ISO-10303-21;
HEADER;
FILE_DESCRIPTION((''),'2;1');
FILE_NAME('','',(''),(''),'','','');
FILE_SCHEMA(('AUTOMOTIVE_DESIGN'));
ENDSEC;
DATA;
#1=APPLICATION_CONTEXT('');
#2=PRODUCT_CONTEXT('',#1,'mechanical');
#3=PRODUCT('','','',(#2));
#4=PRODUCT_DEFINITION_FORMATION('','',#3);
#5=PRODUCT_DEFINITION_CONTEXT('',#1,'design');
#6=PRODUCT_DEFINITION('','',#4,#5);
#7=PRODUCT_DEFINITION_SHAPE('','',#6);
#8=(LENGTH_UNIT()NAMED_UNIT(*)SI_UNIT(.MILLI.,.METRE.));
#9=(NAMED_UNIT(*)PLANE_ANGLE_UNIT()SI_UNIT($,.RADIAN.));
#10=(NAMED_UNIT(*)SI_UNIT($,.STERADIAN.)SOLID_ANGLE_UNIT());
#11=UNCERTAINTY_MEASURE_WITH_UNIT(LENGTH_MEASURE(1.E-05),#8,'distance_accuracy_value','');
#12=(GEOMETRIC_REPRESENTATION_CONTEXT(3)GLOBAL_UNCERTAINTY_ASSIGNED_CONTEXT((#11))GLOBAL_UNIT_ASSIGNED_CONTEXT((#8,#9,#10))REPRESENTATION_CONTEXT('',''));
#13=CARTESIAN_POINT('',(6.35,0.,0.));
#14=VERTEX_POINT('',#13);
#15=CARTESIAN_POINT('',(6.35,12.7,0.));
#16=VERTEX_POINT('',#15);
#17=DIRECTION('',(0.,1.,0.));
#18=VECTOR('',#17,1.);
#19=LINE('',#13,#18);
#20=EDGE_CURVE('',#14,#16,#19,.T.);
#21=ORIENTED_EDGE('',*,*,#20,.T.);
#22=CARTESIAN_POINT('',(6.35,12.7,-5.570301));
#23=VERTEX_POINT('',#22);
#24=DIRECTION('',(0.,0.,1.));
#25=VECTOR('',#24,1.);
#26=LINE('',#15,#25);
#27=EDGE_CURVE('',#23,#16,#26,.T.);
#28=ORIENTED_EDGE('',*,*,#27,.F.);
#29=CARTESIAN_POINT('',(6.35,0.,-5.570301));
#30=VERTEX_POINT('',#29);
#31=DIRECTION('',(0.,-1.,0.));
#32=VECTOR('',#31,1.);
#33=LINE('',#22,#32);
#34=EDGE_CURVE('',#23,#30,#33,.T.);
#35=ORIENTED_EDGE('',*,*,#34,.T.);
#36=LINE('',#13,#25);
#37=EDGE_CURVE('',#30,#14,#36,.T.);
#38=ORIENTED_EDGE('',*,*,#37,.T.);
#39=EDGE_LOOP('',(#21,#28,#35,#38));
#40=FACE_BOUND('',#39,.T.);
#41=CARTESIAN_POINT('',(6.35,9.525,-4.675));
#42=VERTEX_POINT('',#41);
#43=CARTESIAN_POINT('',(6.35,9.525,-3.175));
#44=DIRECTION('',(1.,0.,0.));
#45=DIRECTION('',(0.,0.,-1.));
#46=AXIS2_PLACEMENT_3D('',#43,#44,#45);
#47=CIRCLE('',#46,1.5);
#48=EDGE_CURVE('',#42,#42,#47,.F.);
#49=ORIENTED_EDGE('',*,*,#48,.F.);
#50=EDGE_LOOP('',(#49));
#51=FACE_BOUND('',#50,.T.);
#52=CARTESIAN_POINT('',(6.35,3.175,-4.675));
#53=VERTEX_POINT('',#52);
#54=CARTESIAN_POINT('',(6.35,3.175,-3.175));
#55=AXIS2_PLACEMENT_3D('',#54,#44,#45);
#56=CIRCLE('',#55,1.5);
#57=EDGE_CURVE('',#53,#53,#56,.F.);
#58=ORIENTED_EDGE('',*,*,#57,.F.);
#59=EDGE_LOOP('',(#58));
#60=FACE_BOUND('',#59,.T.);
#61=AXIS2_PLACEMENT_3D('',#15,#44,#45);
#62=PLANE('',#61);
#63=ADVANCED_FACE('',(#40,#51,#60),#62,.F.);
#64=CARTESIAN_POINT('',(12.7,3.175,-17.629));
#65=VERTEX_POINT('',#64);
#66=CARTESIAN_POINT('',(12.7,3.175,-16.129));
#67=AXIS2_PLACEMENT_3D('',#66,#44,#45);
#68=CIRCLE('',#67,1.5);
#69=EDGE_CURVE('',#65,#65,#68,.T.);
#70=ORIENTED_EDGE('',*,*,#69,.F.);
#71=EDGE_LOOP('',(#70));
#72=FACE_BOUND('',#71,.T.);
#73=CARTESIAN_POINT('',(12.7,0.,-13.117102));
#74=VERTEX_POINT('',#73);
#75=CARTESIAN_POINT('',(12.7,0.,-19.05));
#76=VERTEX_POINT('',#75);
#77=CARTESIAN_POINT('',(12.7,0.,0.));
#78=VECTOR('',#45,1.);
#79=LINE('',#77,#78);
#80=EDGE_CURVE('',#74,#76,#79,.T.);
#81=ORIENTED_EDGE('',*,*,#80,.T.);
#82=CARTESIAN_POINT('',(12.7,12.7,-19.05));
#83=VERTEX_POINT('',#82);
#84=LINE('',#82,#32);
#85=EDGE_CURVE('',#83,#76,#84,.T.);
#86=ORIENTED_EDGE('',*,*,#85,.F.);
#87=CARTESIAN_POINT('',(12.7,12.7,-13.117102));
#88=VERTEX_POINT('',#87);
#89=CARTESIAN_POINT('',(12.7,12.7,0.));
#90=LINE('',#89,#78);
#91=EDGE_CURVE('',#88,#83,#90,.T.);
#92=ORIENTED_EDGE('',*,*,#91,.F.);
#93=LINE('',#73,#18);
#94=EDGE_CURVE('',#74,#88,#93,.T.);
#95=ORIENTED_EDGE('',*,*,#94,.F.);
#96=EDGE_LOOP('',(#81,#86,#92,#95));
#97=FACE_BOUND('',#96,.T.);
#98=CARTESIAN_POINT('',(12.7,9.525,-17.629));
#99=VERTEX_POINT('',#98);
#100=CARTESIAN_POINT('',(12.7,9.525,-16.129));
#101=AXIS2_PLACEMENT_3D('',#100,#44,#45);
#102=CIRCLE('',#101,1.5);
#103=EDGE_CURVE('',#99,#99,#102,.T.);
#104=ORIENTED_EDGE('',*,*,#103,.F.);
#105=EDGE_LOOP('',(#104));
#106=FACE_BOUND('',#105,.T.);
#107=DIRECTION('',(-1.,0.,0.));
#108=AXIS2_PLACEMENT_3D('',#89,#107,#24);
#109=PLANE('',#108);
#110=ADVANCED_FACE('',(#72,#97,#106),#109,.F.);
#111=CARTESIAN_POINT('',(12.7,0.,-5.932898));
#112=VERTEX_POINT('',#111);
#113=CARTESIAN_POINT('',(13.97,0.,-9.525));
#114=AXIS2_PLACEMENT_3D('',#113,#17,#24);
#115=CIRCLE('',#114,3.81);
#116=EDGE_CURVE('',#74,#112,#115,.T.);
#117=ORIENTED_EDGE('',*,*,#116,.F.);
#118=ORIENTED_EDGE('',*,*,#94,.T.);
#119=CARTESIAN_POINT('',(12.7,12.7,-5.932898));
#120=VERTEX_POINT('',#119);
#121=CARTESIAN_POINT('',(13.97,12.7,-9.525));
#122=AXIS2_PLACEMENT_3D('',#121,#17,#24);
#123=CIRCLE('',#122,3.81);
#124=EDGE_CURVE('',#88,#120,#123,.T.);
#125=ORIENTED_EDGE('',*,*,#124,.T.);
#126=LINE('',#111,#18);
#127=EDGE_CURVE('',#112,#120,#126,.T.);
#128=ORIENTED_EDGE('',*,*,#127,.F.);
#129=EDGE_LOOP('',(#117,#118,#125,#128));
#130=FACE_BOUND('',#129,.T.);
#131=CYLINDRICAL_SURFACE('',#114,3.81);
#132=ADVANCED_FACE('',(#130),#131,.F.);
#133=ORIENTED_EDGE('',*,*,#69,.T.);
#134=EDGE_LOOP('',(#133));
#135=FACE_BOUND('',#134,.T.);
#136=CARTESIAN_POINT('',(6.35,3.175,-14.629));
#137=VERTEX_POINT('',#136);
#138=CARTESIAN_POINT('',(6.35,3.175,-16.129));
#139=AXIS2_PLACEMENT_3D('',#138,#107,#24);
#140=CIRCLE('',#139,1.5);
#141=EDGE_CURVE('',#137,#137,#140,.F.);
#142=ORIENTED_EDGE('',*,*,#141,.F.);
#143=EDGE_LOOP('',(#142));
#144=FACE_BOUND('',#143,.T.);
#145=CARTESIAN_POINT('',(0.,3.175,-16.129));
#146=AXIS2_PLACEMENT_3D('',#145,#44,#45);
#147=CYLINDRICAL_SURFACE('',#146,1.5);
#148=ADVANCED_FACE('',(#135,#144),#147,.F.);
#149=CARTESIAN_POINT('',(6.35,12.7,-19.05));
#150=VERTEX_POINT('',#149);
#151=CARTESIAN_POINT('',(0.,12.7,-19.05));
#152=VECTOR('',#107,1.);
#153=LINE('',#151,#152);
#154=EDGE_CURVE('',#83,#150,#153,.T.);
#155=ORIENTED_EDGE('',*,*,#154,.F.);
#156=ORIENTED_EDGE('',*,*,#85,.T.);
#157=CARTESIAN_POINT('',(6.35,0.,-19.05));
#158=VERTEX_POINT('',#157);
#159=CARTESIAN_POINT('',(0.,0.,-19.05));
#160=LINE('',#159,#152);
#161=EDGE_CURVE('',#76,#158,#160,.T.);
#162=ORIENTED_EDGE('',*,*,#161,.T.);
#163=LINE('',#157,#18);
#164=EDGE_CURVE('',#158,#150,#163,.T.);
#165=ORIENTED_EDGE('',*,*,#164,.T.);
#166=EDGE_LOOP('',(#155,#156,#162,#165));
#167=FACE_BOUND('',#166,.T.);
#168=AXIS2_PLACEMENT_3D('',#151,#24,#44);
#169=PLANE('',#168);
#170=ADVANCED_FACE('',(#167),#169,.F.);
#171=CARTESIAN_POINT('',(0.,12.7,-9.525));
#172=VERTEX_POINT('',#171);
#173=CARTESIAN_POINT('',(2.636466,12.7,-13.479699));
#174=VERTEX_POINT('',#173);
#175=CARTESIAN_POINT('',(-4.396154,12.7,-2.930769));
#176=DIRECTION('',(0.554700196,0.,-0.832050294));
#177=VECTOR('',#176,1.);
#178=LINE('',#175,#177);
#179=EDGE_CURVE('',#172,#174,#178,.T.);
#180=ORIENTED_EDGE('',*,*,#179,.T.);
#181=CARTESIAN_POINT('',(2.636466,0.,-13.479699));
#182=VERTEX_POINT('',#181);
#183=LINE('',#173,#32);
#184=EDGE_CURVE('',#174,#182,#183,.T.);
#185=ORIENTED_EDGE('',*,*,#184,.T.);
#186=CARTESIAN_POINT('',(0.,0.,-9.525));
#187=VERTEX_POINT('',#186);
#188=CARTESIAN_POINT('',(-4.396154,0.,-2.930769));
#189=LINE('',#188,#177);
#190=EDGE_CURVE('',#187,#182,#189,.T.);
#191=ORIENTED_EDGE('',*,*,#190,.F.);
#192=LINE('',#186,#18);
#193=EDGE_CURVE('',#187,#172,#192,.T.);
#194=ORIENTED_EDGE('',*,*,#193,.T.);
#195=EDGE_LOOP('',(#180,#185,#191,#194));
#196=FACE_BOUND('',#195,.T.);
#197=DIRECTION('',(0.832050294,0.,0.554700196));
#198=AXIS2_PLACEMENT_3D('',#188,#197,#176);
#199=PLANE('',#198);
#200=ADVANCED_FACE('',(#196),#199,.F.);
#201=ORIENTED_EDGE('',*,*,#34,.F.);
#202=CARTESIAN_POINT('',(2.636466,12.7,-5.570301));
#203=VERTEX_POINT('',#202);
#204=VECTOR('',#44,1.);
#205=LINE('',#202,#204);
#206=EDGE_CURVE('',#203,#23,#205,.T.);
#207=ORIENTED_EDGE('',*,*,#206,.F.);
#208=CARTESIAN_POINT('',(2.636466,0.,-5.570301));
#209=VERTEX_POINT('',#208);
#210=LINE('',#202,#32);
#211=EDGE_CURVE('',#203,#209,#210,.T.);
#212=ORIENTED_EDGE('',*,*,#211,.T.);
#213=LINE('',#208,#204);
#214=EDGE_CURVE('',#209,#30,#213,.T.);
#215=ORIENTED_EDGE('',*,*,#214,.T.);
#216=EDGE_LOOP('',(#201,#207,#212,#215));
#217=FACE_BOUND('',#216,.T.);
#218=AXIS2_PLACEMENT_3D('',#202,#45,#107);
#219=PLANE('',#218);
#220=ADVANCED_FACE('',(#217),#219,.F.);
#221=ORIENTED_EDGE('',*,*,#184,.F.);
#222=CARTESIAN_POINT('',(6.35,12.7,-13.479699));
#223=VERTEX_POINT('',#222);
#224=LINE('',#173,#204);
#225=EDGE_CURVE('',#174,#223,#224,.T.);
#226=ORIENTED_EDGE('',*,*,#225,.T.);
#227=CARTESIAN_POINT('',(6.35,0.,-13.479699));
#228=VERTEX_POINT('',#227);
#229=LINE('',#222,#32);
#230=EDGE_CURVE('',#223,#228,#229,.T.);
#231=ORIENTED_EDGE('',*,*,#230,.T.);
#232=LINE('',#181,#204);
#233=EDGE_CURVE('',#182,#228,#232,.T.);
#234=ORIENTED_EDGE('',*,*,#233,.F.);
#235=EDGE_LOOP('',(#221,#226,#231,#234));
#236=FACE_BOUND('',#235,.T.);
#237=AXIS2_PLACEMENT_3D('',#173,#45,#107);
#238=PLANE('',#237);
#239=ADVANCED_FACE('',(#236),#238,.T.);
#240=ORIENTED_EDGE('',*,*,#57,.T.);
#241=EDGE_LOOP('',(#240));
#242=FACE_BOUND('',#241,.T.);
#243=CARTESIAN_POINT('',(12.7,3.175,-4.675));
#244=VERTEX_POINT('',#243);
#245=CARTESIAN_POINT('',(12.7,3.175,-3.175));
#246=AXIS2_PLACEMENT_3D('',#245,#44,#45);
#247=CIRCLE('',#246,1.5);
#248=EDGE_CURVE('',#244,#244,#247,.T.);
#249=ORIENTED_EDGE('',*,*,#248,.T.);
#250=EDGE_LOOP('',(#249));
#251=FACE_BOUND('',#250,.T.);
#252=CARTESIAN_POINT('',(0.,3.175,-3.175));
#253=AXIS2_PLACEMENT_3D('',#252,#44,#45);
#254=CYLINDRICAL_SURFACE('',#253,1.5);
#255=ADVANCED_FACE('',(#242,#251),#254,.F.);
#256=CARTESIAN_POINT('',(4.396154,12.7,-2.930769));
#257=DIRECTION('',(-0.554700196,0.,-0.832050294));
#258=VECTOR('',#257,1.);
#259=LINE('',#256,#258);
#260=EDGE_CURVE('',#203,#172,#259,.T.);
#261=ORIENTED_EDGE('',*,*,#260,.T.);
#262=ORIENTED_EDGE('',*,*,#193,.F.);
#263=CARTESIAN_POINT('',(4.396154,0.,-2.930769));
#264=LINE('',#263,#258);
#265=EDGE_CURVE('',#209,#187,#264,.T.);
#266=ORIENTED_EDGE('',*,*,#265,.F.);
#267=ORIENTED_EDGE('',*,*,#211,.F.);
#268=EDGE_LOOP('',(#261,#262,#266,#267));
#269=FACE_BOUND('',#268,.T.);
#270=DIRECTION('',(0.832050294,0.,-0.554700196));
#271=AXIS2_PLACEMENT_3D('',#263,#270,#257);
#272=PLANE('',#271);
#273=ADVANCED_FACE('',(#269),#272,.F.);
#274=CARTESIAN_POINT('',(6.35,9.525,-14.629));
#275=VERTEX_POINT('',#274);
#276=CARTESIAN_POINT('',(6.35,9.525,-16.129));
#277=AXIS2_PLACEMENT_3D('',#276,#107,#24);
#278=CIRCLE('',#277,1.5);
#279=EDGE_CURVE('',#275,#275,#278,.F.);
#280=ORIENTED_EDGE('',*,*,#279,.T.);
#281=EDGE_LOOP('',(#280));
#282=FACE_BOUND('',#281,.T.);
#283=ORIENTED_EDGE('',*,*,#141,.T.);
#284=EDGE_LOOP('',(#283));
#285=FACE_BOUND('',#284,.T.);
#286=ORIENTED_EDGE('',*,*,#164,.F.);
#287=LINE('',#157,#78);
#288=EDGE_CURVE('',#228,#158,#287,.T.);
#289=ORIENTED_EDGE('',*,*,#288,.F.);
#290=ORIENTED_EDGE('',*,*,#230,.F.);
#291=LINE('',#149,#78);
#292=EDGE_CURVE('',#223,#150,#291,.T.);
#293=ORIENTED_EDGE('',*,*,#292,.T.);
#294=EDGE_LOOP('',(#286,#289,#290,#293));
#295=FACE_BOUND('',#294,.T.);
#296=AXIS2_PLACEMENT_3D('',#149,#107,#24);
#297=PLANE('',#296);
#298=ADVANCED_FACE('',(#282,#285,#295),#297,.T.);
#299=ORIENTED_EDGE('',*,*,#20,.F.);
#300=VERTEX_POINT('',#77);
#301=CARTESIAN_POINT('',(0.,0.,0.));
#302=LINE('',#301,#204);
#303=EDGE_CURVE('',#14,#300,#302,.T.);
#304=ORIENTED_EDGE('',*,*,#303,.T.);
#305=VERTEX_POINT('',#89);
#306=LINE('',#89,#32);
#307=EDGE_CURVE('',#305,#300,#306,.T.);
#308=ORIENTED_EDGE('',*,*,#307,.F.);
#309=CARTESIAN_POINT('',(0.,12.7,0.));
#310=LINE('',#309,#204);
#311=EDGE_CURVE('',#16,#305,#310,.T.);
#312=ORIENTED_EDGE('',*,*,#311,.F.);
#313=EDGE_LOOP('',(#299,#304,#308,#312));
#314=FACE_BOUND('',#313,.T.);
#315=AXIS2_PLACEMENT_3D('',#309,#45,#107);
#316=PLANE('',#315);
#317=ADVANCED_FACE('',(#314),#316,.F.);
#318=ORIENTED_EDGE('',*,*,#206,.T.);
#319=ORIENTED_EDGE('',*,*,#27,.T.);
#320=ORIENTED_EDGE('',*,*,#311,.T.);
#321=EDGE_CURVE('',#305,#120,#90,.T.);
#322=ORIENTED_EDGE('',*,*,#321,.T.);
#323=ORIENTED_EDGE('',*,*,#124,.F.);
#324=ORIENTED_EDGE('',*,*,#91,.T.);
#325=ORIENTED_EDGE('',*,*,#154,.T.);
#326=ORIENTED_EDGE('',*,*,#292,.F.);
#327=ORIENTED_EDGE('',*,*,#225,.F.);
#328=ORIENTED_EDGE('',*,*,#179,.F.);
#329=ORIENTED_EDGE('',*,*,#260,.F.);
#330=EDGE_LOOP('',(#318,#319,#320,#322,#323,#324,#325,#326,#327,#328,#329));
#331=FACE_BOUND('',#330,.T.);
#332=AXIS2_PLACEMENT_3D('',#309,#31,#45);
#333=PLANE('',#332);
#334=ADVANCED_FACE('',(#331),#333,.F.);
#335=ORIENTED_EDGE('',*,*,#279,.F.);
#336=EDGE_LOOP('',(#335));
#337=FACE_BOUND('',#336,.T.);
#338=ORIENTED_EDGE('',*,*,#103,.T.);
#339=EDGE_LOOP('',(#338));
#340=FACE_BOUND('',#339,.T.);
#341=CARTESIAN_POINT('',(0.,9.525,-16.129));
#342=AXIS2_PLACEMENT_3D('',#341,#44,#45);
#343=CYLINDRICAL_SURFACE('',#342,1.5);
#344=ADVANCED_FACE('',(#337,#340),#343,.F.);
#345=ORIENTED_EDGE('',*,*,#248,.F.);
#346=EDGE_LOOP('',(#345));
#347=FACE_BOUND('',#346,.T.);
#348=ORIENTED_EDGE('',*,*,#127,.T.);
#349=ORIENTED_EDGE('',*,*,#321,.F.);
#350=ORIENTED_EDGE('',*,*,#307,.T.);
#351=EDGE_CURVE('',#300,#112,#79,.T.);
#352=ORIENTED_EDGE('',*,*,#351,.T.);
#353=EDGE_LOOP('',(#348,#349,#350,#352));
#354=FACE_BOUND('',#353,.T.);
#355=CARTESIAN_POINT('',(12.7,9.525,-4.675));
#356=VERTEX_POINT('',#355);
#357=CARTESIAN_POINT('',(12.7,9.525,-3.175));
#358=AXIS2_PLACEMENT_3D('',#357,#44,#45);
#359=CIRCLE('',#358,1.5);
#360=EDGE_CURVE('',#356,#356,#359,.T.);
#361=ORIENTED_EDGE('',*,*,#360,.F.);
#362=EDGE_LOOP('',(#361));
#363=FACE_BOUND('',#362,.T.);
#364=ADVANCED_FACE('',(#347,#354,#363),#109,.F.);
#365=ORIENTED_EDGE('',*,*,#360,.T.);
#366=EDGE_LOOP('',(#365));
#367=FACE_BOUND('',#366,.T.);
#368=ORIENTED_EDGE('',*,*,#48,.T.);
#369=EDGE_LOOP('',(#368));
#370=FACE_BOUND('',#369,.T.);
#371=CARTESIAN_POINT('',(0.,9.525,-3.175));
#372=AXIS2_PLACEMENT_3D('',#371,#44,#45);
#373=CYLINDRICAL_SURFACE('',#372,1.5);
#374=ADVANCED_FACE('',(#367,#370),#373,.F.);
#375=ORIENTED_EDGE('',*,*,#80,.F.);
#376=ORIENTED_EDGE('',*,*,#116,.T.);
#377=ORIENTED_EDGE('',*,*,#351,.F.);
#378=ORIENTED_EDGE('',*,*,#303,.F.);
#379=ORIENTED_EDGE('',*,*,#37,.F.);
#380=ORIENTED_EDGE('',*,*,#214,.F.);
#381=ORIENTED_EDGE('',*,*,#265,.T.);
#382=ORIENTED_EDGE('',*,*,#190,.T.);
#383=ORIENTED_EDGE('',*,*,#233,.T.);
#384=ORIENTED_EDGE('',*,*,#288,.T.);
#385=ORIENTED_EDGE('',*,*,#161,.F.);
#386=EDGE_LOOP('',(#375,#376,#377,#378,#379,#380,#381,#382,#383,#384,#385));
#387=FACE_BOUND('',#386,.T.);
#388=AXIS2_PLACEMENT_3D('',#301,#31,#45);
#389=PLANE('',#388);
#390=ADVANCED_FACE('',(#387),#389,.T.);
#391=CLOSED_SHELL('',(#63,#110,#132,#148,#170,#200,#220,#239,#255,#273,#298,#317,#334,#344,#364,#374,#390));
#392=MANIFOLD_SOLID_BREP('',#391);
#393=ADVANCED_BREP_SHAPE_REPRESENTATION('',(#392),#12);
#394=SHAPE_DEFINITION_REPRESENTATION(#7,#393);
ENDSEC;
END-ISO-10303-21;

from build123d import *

# Parameters (mm, degrees)
SKETCH1_W           = 12.7
SKETCH1_H           = 19.05
BOSS_EXTRUDE1_DEPTH = 12.7
CUT_EXTRUDE2_DEPTH  = 12.7
SKETCH5_R           = 1.5
CUT_EXTRUDE3_DEPTH  = 12.7
CUT_EXTRUDE4_DEPTH  = 12.7


with BuildPart() as part:
    # Sketch1 → Boss-Extrude1 (new body)
    with BuildSketch(Plane(origin=(0, 0, 0), x_dir=(1, 0, 0), z_dir=(0, 1, 0))):
        with Locations((6.35, 9.525)):
            Rectangle(SKETCH1_W, SKETCH1_H)
    extrude(amount=BOSS_EXTRUDE1_DEPTH)

    # Sketch4 → Cut-Extrude2 (cut)
    with BuildSketch(Plane(origin=(0, 12.7, 0), x_dir=(1, 0, 0), z_dir=(0, 1, 0))):
        Polygon((0, 19.05), (0, 9.525), (6.35, 19.05), align=None)
        Polygon((6.35, 0), (0, 9.525), (0, 0), align=None)
        with BuildLine():
            Line((12.7, 5.932897552), (12.7, 13.117102448))
            ThreePointArc((12.7, 13.117102448), (10.16, 9.525), (12.7, 5.932897552))
        make_face()
        with BuildLine():
            ThreePointArc((17.78, 9.525), (16.169704526, 12.635851973), (12.7, 13.117102448))
            Line((12.7, 13.117102448), (12.7, 5.932897552))
            ThreePointArc((12.7, 5.932897552), (16.169704526, 6.414148027), (17.78, 9.525))
        make_face()
    extrude(amount=-CUT_EXTRUDE2_DEPTH, mode=Mode.SUBTRACT)

    # Sketch5 → Cut-Extrude3 (cut)
    with BuildSketch(Plane(origin=(12.7, 0, 0), x_dir=(0, 0, -1), z_dir=(1, 0, 0))):
        with Locations((3.175, 9.525)):
            Circle(SKETCH5_R)
        with Locations((16.129, 9.525)):
            Circle(SKETCH5_R)
        with Locations((16.129, 3.175)):
            Circle(SKETCH5_R)
        with Locations((3.175, 3.175)):
            Circle(SKETCH5_R)
    extrude(amount=-CUT_EXTRUDE3_DEPTH, mode=Mode.SUBTRACT)

    # Sketch6 → Cut-Extrude4 (cut)
    with BuildSketch(Plane.XZ):
        Polygon((6.35, 0), (6.35, -5.570300529), (2.636466314, -5.570300529), align=None)
    cut_extrude4 = extrude(amount=-CUT_EXTRUDE4_DEPTH, mode=Mode.SUBTRACT)

    # Mirror1: Cut-Extrude4 across plane
    add(cut_extrude4.mirror(Plane(origin=(0, 0, -9.525), x_dir=(1, 0, 0), z_dir=(0, 0, -1))), mode=Mode.SUBTRACT)


solid = part.part
